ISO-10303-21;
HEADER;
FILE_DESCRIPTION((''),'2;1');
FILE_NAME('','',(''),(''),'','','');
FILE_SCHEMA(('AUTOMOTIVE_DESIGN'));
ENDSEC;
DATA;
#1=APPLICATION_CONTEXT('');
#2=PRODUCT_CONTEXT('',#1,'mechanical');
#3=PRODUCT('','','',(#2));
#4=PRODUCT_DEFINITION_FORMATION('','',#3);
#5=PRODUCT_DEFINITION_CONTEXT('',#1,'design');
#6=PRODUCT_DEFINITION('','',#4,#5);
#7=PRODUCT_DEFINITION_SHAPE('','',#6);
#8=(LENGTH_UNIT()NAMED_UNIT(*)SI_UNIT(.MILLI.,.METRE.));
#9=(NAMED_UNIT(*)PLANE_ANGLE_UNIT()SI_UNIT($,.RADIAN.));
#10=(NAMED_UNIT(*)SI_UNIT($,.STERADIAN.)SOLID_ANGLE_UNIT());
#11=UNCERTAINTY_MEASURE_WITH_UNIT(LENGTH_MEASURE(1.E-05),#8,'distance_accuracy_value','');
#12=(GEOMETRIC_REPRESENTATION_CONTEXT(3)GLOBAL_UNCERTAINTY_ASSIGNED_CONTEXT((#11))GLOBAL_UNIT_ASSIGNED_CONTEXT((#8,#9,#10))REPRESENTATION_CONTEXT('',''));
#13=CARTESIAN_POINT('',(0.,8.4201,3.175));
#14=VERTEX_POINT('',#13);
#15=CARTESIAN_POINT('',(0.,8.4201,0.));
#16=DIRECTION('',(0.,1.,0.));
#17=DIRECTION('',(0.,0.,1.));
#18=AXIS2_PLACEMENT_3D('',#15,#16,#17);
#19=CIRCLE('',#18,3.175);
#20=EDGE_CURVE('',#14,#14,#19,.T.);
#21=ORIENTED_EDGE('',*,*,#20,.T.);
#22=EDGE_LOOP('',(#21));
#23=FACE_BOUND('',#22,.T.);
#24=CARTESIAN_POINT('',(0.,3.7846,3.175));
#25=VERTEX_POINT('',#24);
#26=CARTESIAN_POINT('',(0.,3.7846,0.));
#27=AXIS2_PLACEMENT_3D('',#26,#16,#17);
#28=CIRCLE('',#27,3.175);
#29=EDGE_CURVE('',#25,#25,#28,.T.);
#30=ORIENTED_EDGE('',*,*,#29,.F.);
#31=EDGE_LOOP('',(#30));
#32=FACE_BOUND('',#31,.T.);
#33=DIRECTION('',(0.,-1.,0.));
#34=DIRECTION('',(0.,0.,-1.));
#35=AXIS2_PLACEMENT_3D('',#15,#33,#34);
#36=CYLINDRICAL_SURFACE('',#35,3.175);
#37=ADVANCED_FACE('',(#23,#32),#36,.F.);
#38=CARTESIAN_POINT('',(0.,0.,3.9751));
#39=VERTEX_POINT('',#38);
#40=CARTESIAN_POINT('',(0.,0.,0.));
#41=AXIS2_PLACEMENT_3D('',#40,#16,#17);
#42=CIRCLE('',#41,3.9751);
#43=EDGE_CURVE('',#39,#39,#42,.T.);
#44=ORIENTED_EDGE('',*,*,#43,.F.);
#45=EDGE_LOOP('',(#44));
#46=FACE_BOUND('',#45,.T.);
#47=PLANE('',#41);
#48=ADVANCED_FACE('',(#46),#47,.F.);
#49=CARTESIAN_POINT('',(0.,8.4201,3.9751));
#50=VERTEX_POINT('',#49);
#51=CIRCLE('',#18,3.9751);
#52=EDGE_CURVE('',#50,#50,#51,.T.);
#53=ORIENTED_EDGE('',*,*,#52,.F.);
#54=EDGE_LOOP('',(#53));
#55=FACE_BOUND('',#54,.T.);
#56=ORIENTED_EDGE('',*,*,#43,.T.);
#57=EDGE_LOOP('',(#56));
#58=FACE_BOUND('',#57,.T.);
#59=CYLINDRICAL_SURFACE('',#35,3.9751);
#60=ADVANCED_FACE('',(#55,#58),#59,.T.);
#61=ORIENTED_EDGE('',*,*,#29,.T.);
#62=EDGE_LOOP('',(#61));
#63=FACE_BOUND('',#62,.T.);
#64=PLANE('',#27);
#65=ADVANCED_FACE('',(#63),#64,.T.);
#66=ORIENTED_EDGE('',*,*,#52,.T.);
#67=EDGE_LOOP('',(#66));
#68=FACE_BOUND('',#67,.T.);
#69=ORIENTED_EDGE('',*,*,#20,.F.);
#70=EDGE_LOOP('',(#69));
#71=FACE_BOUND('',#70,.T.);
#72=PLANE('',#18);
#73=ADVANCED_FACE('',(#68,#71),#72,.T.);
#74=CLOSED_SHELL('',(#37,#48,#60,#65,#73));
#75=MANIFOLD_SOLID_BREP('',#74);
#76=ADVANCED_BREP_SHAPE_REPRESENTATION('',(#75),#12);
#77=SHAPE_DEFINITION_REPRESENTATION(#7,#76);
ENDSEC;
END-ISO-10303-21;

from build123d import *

# Parameters (mm, degrees)
SKETCH1_R           = 3.9751
SKETCH1_R_2         = 3.175
BOSS_EXTRUDE1_DEPTH = 8.4201
SKETCH2_R           = 3.9751
BOSS_EXTRUDE2_DEPTH = 3.7846


with BuildPart() as part:
    # Sketch1 → Boss-Extrude1 (new body)
    with BuildSketch(Plane(origin=(0, 0, 0), x_dir=(1, 0, 0), z_dir=(0, 1, 0))):
        Circle(SKETCH1_R)
        Circle(SKETCH1_R_2, mode=Mode.SUBTRACT)
    extrude(amount=BOSS_EXTRUDE1_DEPTH)

    # Sketch2 → Boss-Extrude2 (add)
    with BuildSketch(Plane(origin=(0, 3.7846, 0), x_dir=(1, 0, 0), z_dir=(0, 1, 0))):
        Circle(SKETCH2_R)
    extrude(amount=-BOSS_EXTRUDE2_DEPTH)


solid = part.part
